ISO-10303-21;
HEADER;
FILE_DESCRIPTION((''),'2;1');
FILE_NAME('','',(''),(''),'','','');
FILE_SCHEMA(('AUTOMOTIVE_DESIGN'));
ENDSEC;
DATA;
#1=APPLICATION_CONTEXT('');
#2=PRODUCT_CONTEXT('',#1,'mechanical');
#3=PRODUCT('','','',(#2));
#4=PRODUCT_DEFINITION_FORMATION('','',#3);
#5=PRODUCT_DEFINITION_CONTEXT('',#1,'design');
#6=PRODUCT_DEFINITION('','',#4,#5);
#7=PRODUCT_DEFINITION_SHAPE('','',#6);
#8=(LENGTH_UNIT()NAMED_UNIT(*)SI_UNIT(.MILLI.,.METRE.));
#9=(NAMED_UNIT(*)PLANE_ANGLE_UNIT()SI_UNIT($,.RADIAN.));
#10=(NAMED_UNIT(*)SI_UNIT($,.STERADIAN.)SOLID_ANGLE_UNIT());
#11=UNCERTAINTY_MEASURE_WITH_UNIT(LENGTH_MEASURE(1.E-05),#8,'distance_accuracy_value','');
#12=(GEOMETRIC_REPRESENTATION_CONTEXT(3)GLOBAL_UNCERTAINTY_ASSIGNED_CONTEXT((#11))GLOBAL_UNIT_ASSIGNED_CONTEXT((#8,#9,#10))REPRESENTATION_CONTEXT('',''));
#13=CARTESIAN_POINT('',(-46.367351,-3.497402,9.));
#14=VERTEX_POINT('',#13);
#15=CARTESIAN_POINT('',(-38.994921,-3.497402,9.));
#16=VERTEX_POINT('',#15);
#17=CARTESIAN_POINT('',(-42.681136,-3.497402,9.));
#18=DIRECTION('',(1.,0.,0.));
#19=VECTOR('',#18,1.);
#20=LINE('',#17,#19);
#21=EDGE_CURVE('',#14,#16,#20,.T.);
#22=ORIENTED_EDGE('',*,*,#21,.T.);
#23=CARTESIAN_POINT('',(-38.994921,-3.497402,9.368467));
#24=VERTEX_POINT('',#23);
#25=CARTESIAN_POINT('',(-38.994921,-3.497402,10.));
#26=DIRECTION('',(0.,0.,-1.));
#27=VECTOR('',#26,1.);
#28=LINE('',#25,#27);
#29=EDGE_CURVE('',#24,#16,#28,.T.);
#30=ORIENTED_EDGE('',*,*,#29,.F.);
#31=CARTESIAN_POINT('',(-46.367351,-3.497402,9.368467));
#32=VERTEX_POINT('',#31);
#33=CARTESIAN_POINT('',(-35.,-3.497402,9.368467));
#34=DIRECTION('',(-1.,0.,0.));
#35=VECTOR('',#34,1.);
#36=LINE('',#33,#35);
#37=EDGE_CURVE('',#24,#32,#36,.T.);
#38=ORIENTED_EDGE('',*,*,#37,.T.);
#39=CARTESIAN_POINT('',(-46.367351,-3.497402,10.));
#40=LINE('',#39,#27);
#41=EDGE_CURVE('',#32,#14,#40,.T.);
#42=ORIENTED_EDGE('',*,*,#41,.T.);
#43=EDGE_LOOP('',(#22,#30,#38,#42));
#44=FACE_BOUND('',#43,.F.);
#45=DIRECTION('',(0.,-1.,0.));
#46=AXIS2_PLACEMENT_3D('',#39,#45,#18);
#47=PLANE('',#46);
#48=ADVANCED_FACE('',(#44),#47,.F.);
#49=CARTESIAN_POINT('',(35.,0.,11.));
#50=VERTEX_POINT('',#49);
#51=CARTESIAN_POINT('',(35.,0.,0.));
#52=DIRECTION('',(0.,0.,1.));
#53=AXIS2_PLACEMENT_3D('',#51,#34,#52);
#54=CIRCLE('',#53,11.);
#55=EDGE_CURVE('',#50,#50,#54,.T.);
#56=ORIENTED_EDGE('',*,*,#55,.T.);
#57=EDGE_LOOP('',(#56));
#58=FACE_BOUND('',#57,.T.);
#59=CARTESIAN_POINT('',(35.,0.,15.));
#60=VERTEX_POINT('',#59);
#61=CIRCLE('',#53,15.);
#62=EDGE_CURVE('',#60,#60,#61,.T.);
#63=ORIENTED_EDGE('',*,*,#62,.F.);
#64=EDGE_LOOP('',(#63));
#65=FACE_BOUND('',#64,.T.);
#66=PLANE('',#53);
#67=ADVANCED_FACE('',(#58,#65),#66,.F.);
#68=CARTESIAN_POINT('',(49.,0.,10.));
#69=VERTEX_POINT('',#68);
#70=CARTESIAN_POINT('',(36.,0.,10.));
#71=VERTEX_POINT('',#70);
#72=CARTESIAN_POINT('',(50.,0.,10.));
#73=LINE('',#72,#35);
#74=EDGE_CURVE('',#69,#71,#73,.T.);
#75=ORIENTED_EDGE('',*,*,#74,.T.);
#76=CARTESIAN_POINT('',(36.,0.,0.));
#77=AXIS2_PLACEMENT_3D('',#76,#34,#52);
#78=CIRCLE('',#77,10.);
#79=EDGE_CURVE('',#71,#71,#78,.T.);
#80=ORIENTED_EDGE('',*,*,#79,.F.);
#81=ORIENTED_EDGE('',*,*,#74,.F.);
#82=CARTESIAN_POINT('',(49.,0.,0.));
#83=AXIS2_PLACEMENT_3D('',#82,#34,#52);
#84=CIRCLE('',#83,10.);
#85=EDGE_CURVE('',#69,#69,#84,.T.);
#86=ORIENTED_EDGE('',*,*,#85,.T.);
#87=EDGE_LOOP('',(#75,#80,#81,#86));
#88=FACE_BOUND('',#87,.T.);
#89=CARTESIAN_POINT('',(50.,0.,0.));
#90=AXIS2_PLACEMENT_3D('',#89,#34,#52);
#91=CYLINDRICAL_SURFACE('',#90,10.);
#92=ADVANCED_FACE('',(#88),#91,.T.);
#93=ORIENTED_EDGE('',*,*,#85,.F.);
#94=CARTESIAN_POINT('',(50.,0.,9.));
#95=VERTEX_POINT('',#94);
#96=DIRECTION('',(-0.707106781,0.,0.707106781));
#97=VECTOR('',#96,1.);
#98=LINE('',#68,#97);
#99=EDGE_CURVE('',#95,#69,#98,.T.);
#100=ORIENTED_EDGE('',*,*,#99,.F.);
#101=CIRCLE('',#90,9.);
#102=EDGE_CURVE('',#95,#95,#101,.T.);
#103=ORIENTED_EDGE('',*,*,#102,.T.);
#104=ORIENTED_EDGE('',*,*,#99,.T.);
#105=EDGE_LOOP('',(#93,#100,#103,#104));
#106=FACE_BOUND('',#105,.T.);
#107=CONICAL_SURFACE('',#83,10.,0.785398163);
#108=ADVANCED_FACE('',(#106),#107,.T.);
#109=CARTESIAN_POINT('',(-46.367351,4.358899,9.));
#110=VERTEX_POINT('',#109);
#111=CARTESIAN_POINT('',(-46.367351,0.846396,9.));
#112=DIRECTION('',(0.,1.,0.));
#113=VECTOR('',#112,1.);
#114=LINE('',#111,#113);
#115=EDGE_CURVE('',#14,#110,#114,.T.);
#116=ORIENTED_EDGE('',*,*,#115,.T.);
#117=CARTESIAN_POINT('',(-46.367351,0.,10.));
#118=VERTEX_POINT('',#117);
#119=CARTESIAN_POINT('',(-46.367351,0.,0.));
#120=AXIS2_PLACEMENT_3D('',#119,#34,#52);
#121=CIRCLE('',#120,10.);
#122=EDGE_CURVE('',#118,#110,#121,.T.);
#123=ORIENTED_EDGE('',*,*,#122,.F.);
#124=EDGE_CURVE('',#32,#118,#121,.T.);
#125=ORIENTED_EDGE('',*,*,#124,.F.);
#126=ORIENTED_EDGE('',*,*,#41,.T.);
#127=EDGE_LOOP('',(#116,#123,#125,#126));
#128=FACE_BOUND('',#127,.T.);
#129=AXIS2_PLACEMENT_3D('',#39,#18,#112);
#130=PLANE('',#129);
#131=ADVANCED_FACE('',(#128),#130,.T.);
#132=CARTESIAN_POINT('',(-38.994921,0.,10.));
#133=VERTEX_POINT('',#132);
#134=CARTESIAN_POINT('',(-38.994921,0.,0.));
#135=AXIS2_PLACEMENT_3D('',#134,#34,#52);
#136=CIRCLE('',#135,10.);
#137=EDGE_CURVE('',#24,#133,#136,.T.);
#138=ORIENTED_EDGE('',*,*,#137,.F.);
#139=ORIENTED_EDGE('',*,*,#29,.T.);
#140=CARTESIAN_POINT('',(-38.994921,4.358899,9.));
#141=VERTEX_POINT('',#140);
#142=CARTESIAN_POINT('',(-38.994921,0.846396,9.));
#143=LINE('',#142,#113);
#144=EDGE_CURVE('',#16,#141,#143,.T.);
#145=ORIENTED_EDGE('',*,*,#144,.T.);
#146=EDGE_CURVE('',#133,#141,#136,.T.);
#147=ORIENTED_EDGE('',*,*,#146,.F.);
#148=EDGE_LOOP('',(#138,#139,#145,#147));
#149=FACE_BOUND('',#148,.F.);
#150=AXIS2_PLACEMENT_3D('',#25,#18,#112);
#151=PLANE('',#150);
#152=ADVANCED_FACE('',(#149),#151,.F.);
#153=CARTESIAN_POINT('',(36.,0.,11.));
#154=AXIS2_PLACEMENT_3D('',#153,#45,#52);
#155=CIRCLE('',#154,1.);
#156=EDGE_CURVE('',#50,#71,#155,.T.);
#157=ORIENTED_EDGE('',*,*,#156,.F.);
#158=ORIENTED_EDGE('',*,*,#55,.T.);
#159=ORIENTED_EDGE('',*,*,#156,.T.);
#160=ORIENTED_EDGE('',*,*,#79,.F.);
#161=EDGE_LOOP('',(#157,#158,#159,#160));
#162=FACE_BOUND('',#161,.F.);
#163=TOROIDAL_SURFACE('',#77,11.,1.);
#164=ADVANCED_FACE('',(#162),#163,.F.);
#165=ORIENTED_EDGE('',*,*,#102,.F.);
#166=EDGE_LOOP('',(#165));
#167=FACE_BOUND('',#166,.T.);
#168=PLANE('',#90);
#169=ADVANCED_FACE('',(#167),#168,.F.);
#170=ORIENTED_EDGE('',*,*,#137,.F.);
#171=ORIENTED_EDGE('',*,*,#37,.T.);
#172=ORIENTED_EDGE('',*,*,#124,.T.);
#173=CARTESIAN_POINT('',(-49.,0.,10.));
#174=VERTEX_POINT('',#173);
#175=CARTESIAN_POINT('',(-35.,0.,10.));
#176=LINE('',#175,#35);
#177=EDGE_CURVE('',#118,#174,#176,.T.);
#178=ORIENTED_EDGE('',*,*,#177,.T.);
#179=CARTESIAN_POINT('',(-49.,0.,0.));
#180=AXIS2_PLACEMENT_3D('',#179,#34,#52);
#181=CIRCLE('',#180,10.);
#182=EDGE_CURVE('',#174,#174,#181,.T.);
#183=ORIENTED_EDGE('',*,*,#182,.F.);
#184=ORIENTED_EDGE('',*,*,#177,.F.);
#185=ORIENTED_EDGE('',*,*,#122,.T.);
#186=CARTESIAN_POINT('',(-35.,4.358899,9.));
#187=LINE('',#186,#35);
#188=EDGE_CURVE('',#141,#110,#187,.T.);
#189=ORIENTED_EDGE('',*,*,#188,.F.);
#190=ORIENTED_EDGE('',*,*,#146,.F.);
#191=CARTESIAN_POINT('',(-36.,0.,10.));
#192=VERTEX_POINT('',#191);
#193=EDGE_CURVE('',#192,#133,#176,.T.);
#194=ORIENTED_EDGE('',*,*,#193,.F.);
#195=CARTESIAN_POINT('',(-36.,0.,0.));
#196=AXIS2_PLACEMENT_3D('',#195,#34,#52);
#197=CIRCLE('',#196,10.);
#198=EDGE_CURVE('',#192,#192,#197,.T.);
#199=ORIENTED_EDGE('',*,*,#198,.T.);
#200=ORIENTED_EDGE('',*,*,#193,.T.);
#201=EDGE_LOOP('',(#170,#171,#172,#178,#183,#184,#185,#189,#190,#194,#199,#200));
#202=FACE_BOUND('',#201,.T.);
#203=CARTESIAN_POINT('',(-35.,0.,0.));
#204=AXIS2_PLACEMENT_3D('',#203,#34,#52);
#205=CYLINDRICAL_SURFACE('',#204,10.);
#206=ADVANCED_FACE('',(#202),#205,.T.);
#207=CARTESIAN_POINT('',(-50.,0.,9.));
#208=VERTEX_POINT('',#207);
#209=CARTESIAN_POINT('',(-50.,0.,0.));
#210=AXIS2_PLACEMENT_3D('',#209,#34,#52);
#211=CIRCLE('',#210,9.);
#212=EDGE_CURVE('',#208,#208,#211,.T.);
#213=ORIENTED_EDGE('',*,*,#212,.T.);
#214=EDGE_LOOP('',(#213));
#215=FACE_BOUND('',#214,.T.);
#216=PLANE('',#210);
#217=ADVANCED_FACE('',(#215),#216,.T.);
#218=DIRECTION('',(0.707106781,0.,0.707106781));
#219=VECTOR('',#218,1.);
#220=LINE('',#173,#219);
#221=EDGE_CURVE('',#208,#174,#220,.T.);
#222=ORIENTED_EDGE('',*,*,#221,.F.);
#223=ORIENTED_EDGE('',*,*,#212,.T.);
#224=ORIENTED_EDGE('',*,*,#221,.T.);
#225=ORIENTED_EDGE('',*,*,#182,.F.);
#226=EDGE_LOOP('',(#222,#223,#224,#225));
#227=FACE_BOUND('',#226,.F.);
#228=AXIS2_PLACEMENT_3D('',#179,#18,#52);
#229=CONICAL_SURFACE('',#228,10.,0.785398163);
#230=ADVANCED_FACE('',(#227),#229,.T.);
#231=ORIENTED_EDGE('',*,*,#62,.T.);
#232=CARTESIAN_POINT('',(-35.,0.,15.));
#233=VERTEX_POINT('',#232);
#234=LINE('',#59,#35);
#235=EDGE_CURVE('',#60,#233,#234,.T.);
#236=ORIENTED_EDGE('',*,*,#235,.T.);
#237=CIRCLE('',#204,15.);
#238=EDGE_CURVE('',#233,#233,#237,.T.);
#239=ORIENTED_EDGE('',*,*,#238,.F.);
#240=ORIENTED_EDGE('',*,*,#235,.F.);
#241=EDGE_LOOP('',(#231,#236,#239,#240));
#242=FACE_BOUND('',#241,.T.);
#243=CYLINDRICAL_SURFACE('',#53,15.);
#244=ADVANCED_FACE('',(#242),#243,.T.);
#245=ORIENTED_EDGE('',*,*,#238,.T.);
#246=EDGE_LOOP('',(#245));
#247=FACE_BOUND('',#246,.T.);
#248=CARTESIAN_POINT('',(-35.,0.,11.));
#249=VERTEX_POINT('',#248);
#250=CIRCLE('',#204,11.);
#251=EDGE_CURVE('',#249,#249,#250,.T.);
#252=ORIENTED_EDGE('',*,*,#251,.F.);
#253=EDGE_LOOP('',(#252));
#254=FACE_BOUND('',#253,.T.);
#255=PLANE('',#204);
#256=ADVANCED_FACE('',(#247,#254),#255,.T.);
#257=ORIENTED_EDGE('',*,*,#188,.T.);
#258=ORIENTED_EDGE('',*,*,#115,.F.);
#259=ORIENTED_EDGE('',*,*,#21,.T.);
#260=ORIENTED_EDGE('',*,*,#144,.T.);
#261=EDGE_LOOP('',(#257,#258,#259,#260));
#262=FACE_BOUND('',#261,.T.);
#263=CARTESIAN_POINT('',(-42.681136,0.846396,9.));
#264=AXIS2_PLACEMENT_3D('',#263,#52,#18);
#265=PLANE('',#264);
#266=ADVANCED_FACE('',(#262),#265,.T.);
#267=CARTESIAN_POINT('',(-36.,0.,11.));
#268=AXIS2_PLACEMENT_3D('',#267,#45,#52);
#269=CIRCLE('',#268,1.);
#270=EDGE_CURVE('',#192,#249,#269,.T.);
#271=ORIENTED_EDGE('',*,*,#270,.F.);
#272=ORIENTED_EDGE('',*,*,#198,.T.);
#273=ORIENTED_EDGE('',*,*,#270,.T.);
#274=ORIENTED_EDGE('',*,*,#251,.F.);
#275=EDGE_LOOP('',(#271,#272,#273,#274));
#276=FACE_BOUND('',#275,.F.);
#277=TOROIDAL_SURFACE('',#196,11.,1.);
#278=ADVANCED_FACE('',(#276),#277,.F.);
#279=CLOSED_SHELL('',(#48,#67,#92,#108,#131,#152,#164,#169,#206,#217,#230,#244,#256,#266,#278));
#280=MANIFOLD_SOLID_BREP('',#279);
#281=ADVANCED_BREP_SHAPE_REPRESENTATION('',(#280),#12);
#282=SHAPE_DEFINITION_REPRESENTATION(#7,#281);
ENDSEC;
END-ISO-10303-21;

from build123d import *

# Parameters (mm, degrees)
F2_SIZE  = 1
F3_R     = 1
F5_W     = 7.37243
F5_H     = 8.687595
F6_DEPTH = 1


with BuildPart() as f1:
    # F0 (on Front) → F1 (revolve)
    with BuildSketch(Plane.XZ):
        Polygon((-50, 10), (-50, 0), (50, 0), (50, 10), (35, 10), (35, 15), (-35, 15), (-35, 10), align=None)
    revolve(axis=Axis((0, 0, 0), (-1, 0, 0)))

    # F2
    f2_edges = [f1.edges().sort_by_distance(p)[0] for p in [
        (-50, 0, -10),
        (50, 0, -10),
    ]]
    chamfer(f2_edges, length=F2_SIZE)

    # F3
    f3_edges = [f1.edges().sort_by_distance(p)[0] for p in [
        (-35, 0, -10),
        (35, 0, -10),
    ]]
    fillet(f3_edges, radius=F3_R)

    # F5 (on offset) → F6 (cut)
    with BuildSketch(Plane.XY.offset(10)):
        with Locations((-42.681136, 0.846396)):
            Rectangle(F5_W, F5_H)
    extrude(amount=-F6_DEPTH, mode=Mode.SUBTRACT)


solid = f1.part
